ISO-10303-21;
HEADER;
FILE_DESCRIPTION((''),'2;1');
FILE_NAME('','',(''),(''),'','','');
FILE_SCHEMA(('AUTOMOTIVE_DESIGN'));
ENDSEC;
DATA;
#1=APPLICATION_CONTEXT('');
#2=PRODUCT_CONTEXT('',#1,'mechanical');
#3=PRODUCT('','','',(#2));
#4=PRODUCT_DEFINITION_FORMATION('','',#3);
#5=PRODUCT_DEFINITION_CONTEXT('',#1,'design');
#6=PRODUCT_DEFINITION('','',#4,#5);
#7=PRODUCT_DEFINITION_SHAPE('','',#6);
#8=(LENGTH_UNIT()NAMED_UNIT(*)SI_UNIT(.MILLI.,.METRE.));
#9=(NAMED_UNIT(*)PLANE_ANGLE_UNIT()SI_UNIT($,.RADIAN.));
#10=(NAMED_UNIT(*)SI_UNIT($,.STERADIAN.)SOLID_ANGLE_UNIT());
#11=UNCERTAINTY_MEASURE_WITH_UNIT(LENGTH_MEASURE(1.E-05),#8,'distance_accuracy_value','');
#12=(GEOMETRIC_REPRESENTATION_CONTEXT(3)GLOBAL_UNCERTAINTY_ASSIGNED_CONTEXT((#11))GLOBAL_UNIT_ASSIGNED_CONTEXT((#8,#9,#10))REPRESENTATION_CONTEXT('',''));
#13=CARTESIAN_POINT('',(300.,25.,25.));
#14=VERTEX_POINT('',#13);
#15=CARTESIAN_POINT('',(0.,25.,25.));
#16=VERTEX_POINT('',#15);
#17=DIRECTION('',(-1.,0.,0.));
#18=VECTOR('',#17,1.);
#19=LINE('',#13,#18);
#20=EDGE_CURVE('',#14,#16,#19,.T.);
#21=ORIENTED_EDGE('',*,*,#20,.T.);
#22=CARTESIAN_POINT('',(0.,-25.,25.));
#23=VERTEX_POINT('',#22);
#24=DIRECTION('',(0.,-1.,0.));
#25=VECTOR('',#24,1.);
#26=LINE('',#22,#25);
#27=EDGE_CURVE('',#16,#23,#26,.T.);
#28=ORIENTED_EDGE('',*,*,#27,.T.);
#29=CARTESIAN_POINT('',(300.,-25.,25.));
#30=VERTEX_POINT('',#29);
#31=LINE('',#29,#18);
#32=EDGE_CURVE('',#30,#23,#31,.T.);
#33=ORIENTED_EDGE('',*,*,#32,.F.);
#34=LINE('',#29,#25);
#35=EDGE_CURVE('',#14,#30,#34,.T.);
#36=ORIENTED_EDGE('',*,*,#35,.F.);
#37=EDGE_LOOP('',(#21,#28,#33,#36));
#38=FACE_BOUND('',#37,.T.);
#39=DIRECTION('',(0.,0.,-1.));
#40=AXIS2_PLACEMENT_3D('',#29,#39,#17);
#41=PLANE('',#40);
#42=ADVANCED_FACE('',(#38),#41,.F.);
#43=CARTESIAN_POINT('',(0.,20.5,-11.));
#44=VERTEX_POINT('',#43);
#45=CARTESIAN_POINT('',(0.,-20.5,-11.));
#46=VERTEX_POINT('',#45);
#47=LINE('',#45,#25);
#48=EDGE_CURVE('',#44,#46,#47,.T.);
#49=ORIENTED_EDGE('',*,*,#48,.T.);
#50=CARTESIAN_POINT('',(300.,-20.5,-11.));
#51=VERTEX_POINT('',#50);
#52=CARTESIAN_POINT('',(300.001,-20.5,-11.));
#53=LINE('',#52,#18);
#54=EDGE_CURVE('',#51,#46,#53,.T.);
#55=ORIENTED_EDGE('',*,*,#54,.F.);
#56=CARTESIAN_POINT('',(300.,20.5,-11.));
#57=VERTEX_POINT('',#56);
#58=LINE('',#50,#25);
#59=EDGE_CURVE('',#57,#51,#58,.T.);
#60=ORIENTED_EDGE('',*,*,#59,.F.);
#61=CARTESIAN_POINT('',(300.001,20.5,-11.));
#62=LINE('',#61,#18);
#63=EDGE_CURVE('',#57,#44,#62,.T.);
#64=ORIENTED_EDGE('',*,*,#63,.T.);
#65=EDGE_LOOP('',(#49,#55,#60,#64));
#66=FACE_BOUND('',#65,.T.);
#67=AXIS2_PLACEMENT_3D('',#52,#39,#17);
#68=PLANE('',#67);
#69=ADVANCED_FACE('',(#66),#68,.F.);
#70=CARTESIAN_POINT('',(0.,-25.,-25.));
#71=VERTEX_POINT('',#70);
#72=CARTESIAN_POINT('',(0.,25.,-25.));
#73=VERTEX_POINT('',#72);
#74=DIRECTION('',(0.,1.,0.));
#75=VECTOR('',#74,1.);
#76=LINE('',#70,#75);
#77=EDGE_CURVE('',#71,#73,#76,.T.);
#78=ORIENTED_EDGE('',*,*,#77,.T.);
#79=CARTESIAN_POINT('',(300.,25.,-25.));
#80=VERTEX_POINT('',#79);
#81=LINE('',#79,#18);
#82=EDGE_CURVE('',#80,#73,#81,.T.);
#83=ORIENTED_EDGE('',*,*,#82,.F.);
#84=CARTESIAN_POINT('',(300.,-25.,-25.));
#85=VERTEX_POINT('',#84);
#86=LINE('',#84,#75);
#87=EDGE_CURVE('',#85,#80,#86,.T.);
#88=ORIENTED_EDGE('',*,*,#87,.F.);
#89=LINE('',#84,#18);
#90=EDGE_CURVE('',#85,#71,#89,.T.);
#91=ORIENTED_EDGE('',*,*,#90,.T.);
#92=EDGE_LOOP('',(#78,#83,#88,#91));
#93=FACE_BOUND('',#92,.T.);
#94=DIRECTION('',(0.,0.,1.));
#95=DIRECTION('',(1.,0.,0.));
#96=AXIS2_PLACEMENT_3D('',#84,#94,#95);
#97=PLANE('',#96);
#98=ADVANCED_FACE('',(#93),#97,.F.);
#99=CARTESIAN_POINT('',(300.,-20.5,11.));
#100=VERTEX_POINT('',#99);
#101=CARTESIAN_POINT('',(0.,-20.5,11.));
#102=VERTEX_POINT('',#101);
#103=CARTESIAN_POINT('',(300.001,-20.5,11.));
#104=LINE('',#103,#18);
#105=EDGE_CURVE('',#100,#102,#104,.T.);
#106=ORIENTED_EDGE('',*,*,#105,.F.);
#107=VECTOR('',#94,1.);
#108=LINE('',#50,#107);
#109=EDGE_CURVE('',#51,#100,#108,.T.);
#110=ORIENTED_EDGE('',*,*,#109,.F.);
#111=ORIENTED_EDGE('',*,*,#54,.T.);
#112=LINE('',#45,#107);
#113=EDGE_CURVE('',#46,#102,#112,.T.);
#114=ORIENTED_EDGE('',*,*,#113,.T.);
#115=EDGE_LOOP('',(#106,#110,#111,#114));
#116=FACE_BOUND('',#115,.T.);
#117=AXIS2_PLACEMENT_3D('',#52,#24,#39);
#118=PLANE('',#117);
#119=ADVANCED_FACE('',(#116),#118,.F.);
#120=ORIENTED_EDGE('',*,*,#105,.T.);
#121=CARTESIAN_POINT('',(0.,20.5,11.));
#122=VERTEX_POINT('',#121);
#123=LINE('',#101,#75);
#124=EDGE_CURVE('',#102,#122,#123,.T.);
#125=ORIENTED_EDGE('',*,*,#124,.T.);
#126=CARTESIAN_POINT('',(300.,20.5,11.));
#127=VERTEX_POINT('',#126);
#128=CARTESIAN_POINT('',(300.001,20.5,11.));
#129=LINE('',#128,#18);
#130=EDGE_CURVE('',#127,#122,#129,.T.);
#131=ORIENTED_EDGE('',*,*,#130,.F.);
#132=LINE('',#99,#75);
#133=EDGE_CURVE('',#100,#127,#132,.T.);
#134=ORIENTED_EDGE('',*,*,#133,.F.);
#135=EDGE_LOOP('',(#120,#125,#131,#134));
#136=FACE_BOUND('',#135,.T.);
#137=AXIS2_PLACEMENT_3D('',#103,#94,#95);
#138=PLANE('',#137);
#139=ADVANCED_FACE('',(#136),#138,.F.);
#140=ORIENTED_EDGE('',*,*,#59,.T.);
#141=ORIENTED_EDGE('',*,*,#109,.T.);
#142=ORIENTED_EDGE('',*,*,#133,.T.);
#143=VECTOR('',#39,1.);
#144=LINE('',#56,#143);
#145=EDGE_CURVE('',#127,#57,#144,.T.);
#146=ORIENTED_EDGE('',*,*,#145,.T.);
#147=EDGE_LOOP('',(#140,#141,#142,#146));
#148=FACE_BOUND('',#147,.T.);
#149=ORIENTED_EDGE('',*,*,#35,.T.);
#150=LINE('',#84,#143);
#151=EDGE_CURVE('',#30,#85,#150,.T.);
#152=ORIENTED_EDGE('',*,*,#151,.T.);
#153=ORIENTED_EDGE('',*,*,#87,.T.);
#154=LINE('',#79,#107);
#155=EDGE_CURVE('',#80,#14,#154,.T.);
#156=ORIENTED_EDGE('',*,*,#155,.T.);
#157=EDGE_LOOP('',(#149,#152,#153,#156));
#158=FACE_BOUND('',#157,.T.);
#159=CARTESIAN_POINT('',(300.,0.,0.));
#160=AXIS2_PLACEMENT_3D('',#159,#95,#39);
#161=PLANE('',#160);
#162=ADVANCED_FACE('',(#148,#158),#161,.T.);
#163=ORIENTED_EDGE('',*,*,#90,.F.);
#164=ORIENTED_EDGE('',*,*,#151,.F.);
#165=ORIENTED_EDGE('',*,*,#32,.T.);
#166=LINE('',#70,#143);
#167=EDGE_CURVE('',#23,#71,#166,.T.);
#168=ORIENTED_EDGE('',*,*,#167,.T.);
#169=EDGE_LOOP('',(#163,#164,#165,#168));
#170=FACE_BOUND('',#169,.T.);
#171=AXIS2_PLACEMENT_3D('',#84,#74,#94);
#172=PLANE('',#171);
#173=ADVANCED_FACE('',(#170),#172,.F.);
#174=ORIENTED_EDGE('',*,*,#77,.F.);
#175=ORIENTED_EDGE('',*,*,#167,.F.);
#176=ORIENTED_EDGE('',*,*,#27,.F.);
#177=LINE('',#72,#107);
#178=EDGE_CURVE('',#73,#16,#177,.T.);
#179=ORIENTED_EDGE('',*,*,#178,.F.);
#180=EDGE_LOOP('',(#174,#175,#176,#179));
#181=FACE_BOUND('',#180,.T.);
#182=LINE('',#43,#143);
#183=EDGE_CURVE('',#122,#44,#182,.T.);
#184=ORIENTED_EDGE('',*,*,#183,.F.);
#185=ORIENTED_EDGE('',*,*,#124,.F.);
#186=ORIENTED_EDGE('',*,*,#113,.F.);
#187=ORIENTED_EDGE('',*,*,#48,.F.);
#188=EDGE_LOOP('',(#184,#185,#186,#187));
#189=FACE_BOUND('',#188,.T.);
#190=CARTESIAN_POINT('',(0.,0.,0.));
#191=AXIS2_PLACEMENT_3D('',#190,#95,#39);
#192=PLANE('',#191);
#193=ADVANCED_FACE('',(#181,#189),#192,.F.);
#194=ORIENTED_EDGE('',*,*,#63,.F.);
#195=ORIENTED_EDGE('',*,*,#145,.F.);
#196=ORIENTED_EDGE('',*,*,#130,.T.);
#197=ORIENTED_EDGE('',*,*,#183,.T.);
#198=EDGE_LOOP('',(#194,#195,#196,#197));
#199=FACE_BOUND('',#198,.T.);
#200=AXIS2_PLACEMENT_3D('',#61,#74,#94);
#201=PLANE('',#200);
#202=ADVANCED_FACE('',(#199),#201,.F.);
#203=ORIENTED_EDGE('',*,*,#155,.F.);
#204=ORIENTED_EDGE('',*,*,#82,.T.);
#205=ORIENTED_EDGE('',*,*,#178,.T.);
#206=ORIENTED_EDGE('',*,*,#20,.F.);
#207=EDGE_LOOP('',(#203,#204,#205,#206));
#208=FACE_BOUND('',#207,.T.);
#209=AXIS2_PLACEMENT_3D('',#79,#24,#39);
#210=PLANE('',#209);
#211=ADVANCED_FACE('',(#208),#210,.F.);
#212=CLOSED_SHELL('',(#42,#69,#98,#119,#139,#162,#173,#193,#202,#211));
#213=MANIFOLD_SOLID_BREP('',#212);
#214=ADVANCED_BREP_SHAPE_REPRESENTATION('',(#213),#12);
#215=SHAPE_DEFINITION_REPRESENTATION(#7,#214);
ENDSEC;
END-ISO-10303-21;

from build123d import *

# Parameters (mm, degrees)
SKETCH1_W           = 50
SKETCH1_H           = 50
BOSS_EXTRUDE1_DEPTH = 300
CUT_EXTRUDE2_REACH  = 304.076
SKETCH3_W           = 22
SKETCH3_H           = 41


with BuildPart() as part:
    # Sketch1 → Boss-Extrude1 (new body)
    with BuildSketch(Plane(origin=(0, 0, 0), x_dir=(0, 0, -1), z_dir=(1, 0, 0))):
        Rectangle(SKETCH1_W, SKETCH1_H)
    extrude(amount=BOSS_EXTRUDE1_DEPTH)

    # Sketch3 → Cut-Extrude2 (cut, up to next)
    with BuildSketch(Plane.ZY, mode=Mode.PRIVATE) as cut_extrude2_sk1:
        Rectangle(SKETCH3_W, SKETCH3_H)
    cut_extrude2_tool1 = extrude(cut_extrude2_sk1.sketch, amount=-CUT_EXTRUDE2_REACH, mode=Mode.PRIVATE) & part.part
    add(cut_extrude2_tool1.solids().sort_by_distance((0, 0, 0))[0], mode=Mode.SUBTRACT)


solid = part.part
